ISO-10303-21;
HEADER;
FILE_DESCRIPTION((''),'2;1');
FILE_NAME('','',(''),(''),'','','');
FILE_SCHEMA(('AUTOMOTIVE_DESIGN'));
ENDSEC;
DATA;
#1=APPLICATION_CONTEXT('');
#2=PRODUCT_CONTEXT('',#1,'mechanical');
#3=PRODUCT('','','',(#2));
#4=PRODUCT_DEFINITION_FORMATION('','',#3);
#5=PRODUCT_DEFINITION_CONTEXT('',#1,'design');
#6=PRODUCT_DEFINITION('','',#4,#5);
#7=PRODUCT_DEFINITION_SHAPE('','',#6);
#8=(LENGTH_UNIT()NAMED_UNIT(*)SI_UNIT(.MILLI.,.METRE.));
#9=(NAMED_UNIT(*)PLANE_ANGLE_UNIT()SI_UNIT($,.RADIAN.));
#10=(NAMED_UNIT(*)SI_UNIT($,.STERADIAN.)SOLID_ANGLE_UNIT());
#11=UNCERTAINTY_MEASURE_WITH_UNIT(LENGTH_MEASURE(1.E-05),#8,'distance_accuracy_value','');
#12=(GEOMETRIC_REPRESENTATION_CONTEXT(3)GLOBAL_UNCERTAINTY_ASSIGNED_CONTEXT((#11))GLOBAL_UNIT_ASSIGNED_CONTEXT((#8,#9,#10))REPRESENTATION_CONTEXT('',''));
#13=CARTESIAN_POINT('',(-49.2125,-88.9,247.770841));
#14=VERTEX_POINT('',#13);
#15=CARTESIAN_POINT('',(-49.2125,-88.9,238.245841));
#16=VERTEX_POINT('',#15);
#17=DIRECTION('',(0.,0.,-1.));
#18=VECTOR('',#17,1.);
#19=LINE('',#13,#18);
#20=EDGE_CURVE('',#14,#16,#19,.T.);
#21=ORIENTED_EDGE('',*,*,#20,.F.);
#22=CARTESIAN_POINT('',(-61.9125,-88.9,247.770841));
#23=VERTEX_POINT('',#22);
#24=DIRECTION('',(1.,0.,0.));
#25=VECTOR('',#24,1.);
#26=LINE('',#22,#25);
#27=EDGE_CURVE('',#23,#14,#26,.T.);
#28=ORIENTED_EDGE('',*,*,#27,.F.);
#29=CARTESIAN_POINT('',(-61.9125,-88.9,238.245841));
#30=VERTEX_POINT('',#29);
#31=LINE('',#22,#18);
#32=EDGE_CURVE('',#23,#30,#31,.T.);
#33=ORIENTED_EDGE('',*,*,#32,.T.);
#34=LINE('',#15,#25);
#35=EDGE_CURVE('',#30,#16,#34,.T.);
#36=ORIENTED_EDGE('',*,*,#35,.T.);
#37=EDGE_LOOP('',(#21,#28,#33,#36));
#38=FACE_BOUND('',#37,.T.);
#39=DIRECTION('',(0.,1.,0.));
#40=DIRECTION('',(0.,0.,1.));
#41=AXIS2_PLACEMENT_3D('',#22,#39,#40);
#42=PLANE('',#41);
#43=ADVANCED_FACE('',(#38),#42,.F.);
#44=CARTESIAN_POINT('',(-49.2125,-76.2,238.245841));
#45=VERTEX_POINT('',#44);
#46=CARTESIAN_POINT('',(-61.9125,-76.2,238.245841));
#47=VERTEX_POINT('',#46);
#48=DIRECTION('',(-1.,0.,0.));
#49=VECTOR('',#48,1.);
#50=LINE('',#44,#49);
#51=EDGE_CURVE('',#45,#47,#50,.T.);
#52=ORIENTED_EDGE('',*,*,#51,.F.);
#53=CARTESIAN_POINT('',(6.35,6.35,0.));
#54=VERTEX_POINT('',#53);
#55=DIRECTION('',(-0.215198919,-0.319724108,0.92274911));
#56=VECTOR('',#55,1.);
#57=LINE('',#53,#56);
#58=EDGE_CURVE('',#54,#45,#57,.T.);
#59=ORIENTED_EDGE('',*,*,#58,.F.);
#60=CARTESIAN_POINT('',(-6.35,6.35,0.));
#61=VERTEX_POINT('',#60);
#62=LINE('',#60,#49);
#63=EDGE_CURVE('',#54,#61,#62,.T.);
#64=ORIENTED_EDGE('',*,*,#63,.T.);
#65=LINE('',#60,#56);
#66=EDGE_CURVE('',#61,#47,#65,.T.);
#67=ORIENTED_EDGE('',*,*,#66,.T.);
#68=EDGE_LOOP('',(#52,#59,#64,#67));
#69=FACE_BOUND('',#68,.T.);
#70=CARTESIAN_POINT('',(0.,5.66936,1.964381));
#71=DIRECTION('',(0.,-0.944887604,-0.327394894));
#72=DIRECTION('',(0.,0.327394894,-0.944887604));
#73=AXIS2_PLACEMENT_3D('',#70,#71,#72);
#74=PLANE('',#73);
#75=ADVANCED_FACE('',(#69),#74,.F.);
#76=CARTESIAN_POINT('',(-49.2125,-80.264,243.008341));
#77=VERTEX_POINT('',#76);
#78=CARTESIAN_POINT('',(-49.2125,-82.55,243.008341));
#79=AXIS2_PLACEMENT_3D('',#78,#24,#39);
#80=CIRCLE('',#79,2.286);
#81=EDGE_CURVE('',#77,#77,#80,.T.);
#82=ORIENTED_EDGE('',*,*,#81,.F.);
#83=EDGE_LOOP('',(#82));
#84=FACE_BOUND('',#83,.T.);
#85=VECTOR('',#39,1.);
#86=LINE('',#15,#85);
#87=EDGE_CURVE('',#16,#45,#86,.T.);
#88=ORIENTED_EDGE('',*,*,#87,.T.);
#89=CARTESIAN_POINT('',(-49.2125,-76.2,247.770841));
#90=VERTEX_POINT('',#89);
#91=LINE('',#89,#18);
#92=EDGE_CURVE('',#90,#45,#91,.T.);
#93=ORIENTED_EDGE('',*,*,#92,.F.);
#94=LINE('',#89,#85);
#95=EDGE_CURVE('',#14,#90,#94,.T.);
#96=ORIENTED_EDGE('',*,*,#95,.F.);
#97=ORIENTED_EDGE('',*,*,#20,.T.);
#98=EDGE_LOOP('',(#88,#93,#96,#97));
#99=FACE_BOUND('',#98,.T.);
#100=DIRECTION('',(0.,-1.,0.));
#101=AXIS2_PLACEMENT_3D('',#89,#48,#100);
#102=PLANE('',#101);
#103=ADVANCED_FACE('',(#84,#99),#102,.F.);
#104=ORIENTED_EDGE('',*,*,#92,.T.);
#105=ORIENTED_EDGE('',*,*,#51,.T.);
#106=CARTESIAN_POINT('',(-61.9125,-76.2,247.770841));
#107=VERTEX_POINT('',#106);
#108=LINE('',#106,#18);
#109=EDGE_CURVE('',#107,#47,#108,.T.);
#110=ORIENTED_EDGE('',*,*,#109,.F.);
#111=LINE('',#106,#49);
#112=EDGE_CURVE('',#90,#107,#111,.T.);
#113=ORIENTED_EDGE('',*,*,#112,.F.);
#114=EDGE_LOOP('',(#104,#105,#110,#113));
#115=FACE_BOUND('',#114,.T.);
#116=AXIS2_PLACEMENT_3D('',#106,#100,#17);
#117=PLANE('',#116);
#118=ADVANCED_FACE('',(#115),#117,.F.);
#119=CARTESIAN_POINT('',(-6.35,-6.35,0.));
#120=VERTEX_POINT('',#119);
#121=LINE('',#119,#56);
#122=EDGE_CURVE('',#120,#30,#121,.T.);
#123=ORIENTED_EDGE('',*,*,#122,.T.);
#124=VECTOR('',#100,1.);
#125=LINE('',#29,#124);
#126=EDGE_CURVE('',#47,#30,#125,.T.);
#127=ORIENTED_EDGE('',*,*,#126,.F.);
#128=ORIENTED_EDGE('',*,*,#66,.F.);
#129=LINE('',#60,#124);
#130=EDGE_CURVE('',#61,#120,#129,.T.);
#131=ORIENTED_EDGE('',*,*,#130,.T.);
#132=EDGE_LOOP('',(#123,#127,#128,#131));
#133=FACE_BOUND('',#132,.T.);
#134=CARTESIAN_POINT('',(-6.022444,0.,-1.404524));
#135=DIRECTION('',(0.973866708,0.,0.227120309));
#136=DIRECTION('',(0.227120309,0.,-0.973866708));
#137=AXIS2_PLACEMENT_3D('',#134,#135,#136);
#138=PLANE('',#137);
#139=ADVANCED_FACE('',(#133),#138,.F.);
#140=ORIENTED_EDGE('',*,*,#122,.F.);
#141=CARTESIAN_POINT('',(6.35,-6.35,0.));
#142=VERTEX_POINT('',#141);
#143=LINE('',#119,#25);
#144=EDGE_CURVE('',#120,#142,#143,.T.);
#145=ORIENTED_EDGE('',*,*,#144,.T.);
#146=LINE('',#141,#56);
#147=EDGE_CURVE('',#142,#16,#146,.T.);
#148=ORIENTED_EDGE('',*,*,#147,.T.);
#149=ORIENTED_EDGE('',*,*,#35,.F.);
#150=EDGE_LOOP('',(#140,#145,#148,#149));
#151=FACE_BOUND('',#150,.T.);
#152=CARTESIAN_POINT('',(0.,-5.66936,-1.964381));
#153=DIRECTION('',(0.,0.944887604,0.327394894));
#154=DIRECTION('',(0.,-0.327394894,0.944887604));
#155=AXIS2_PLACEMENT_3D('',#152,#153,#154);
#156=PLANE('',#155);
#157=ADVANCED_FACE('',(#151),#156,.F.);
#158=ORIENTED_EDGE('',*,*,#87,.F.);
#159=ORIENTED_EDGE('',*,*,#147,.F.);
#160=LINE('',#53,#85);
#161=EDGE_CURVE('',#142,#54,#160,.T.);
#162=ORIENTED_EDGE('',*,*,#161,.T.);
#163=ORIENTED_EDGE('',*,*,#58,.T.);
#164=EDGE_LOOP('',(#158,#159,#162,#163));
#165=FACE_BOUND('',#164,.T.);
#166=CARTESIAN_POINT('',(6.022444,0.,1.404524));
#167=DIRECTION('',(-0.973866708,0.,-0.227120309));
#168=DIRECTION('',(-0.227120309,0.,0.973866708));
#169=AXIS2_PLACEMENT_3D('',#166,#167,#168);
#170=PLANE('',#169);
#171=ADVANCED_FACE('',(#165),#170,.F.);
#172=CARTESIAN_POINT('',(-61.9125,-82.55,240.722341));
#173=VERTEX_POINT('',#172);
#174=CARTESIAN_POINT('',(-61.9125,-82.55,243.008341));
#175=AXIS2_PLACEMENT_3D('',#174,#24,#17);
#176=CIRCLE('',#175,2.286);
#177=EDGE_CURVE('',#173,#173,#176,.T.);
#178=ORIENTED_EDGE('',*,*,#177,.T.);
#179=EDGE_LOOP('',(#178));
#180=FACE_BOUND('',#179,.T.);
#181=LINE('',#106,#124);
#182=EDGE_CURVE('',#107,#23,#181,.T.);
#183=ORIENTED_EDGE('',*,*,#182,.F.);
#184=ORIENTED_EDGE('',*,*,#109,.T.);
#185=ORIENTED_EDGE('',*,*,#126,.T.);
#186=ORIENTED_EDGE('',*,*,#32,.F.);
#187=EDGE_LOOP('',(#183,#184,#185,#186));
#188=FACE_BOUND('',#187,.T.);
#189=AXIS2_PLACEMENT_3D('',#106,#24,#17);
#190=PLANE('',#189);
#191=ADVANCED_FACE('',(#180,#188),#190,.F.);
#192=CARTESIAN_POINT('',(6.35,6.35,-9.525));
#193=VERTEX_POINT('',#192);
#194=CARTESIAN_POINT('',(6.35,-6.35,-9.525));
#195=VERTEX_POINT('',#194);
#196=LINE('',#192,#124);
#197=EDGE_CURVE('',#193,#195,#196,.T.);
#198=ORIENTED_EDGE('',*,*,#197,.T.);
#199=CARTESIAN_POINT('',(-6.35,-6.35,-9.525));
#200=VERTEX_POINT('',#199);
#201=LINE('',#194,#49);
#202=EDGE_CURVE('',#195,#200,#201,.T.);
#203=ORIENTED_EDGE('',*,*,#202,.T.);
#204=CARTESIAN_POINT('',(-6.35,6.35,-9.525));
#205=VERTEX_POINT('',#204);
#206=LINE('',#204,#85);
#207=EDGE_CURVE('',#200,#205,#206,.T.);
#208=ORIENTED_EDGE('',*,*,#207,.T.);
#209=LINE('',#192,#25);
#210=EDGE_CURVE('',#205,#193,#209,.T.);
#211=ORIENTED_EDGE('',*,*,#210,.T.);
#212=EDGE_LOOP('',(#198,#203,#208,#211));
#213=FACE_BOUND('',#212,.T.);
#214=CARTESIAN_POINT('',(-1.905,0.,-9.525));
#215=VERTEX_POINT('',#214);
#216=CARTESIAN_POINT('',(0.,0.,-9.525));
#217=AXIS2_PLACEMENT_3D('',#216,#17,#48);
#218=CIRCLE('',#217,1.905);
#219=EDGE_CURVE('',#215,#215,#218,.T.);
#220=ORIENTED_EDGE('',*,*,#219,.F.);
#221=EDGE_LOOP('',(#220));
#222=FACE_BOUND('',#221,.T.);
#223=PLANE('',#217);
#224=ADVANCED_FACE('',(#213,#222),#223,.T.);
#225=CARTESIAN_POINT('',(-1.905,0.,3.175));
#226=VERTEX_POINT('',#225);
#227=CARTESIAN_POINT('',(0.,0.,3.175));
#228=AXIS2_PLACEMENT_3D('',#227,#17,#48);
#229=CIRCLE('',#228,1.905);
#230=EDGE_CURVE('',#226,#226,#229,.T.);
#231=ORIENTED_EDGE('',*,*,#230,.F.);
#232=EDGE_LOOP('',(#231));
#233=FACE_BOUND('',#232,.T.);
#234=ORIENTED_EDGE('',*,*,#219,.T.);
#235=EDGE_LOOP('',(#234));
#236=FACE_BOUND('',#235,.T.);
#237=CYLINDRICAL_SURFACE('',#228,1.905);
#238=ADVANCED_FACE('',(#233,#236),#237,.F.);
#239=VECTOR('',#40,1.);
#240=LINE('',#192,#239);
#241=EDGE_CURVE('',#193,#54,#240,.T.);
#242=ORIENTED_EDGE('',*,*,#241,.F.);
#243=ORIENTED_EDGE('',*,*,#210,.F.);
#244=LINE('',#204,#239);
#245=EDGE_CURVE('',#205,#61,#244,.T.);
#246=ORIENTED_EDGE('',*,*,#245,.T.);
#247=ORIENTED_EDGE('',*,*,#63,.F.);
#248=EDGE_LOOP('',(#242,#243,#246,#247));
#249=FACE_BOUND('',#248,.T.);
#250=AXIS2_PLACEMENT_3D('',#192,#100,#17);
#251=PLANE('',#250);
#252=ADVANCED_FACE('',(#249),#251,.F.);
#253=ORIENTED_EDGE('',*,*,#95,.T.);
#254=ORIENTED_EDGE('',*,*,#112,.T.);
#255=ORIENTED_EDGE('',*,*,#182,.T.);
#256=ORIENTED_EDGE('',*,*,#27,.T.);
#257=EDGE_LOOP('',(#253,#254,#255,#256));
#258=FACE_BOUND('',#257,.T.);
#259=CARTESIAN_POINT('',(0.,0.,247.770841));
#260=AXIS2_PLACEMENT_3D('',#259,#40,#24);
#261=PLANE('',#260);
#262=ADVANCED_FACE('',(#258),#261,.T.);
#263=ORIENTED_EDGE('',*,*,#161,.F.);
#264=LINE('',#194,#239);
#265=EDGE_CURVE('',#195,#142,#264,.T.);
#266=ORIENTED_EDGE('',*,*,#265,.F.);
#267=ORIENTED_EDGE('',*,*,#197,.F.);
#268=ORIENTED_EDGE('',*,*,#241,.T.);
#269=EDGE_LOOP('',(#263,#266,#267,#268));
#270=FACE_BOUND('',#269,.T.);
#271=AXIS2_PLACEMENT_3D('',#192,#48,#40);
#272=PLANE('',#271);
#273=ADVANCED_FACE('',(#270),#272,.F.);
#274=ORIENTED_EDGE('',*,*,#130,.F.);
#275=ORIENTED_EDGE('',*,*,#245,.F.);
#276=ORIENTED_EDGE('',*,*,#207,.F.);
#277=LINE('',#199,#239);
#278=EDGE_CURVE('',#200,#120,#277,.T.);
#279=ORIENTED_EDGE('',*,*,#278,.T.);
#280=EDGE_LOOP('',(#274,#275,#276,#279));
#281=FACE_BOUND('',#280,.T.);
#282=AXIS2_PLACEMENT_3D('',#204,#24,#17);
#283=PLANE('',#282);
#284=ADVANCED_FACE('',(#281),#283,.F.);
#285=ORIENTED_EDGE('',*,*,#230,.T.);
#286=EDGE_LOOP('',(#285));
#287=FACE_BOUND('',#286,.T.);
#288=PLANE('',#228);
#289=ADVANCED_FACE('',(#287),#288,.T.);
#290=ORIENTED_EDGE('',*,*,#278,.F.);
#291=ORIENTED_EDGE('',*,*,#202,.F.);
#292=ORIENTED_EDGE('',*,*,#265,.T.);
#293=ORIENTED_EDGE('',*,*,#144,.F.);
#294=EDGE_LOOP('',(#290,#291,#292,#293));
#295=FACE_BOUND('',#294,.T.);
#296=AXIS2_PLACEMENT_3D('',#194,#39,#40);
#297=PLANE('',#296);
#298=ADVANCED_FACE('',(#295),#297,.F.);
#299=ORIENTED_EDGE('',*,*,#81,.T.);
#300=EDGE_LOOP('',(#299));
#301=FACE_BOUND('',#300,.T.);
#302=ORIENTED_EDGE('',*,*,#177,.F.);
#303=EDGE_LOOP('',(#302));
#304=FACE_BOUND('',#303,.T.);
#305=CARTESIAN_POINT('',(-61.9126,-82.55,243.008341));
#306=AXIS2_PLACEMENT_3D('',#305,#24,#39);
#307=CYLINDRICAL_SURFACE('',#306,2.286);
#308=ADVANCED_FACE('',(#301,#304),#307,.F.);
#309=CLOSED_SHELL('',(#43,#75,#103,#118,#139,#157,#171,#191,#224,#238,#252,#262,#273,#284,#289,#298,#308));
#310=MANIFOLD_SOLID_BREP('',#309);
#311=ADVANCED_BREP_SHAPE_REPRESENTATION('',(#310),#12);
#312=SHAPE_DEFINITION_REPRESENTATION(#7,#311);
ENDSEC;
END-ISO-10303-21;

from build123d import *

# Parameters (mm, degrees)
SKETCH28_W          = 12.7
SKETCH28_H          = 12.7
BOSS_EXTRUDE5_DEPTH = 9.525
SKETCH29_W          = 12.7
SKETCH29_H          = 12.7
BOSS_EXTRUDE6_DEPTH = 9.525
SKETCH30_R          = 2.286
CUT_EXTRUDE7_DEPTH  = 270.036783662
SKETCH31_R          = 1.905
CUT_EXTRUDE8_DEPTH  = 12.7


with BuildPart() as part:
    # Sketch26 → Loft1 section 0
    with BuildSketch(Plane.XY):
        with BuildLine():
            Line((-6.35, 6.35), (6.35, 6.35))
            Line((6.35, 6.35), (6.35, -6.35))
            Line((6.35, -6.35), (-6.35, -6.35))
            Line((-6.35, -6.35), (-6.35, 6.35))
        make_face()
    # Sketch27 → Loft1 section 1
    with BuildSketch(Plane.XY.offset(238.245840754)):
        with BuildLine():
            Line((-49.2125, -88.9), (-61.9125, -88.9))
            Line((-61.9125, -88.9), (-61.9125, -76.2))
            Line((-61.9125, -76.2), (-49.2125, -76.2))
            Line((-49.2125, -76.2), (-49.2125, -88.9))
        make_face()
    loft()

    # Sketch28 → Boss-Extrude5 (add)
    with BuildSketch(Plane(origin=(0, 0, 0), x_dir=(-1, 0, 0), z_dir=(0, 0, -1))):
        Rectangle(SKETCH28_W, SKETCH28_H)
    extrude(amount=BOSS_EXTRUDE5_DEPTH)

    # Sketch29 → Boss-Extrude6 (add)
    with BuildSketch(Plane.XY.offset(238.245840754)):
        with Locations((-55.5625, -82.55)):
            Rectangle(SKETCH29_W, SKETCH29_H)
    extrude(amount=BOSS_EXTRUDE6_DEPTH)

    # Sketch30 → Cut-Extrude7 (cut, through all)
    with BuildSketch(Plane(origin=(-49.2125, 0, 0), x_dir=(0, 0, -1), z_dir=(1, 0, 0))):
        with Locations(Location((-243.008340754, -82.55, 0), (0, 0, 90))):
            Circle(SKETCH30_R)
    extrude(amount=-CUT_EXTRUDE7_DEPTH, mode=Mode.SUBTRACT)

    # Sketch31 → Cut-Extrude8 (cut)
    with BuildSketch(Plane(origin=(0, 0, -9.525), x_dir=(-1, 0, 0), z_dir=(0, 0, -1))):
        Circle(SKETCH31_R)
    extrude(amount=-CUT_EXTRUDE8_DEPTH, mode=Mode.SUBTRACT)


solid = part.part
